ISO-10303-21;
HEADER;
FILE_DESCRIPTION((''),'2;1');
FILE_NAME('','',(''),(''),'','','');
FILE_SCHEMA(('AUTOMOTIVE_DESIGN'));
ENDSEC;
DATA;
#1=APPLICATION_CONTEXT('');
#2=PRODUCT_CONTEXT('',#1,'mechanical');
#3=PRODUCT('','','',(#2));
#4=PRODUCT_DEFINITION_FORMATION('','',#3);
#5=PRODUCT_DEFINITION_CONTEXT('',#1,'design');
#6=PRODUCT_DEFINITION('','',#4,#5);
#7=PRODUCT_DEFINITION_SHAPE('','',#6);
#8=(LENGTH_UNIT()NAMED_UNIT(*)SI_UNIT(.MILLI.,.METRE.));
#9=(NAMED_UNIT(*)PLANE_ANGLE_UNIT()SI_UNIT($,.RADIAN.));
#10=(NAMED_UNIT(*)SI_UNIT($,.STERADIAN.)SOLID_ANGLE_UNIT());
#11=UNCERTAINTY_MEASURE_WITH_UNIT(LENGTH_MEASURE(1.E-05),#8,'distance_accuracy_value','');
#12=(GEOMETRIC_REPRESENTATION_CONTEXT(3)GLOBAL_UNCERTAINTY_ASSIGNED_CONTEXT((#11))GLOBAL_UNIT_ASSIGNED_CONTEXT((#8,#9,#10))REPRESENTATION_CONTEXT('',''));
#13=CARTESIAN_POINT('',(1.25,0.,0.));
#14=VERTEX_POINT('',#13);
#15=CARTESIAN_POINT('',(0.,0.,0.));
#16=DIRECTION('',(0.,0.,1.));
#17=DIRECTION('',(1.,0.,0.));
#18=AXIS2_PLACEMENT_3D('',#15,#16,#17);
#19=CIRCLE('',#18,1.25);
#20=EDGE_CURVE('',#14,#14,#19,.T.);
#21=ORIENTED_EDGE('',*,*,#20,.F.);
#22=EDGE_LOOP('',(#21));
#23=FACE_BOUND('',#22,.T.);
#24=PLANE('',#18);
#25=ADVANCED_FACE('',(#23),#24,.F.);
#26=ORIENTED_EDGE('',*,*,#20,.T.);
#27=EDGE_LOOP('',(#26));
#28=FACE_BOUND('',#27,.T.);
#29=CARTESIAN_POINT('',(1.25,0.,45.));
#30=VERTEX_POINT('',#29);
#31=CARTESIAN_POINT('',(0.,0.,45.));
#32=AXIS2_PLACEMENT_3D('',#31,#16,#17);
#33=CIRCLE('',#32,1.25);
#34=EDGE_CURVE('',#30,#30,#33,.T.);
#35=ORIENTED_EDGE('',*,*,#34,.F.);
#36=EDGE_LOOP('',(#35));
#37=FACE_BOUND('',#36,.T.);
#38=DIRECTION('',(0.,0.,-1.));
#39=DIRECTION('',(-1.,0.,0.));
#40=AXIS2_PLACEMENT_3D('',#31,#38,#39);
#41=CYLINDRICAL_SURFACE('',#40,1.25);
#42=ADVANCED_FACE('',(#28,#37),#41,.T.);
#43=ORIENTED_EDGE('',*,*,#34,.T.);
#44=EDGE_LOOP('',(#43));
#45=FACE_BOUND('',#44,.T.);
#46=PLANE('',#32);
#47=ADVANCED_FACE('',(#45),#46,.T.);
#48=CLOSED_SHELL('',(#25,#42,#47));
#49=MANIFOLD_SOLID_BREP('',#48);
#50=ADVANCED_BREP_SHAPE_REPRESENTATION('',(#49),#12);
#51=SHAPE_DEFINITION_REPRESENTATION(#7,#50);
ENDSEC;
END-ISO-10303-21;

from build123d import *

# Parameters (mm, degrees)
SKETCH_1_R      = 1.25
EXTRUDE_1_DEPTH = 45


with BuildPart() as part:
    # 草图1 → 凸台-拉伸1 (new body)
    with BuildSketch(Plane.XY):
        Circle(SKETCH_1_R)
    extrude(amount=EXTRUDE_1_DEPTH)


solid = part.part
